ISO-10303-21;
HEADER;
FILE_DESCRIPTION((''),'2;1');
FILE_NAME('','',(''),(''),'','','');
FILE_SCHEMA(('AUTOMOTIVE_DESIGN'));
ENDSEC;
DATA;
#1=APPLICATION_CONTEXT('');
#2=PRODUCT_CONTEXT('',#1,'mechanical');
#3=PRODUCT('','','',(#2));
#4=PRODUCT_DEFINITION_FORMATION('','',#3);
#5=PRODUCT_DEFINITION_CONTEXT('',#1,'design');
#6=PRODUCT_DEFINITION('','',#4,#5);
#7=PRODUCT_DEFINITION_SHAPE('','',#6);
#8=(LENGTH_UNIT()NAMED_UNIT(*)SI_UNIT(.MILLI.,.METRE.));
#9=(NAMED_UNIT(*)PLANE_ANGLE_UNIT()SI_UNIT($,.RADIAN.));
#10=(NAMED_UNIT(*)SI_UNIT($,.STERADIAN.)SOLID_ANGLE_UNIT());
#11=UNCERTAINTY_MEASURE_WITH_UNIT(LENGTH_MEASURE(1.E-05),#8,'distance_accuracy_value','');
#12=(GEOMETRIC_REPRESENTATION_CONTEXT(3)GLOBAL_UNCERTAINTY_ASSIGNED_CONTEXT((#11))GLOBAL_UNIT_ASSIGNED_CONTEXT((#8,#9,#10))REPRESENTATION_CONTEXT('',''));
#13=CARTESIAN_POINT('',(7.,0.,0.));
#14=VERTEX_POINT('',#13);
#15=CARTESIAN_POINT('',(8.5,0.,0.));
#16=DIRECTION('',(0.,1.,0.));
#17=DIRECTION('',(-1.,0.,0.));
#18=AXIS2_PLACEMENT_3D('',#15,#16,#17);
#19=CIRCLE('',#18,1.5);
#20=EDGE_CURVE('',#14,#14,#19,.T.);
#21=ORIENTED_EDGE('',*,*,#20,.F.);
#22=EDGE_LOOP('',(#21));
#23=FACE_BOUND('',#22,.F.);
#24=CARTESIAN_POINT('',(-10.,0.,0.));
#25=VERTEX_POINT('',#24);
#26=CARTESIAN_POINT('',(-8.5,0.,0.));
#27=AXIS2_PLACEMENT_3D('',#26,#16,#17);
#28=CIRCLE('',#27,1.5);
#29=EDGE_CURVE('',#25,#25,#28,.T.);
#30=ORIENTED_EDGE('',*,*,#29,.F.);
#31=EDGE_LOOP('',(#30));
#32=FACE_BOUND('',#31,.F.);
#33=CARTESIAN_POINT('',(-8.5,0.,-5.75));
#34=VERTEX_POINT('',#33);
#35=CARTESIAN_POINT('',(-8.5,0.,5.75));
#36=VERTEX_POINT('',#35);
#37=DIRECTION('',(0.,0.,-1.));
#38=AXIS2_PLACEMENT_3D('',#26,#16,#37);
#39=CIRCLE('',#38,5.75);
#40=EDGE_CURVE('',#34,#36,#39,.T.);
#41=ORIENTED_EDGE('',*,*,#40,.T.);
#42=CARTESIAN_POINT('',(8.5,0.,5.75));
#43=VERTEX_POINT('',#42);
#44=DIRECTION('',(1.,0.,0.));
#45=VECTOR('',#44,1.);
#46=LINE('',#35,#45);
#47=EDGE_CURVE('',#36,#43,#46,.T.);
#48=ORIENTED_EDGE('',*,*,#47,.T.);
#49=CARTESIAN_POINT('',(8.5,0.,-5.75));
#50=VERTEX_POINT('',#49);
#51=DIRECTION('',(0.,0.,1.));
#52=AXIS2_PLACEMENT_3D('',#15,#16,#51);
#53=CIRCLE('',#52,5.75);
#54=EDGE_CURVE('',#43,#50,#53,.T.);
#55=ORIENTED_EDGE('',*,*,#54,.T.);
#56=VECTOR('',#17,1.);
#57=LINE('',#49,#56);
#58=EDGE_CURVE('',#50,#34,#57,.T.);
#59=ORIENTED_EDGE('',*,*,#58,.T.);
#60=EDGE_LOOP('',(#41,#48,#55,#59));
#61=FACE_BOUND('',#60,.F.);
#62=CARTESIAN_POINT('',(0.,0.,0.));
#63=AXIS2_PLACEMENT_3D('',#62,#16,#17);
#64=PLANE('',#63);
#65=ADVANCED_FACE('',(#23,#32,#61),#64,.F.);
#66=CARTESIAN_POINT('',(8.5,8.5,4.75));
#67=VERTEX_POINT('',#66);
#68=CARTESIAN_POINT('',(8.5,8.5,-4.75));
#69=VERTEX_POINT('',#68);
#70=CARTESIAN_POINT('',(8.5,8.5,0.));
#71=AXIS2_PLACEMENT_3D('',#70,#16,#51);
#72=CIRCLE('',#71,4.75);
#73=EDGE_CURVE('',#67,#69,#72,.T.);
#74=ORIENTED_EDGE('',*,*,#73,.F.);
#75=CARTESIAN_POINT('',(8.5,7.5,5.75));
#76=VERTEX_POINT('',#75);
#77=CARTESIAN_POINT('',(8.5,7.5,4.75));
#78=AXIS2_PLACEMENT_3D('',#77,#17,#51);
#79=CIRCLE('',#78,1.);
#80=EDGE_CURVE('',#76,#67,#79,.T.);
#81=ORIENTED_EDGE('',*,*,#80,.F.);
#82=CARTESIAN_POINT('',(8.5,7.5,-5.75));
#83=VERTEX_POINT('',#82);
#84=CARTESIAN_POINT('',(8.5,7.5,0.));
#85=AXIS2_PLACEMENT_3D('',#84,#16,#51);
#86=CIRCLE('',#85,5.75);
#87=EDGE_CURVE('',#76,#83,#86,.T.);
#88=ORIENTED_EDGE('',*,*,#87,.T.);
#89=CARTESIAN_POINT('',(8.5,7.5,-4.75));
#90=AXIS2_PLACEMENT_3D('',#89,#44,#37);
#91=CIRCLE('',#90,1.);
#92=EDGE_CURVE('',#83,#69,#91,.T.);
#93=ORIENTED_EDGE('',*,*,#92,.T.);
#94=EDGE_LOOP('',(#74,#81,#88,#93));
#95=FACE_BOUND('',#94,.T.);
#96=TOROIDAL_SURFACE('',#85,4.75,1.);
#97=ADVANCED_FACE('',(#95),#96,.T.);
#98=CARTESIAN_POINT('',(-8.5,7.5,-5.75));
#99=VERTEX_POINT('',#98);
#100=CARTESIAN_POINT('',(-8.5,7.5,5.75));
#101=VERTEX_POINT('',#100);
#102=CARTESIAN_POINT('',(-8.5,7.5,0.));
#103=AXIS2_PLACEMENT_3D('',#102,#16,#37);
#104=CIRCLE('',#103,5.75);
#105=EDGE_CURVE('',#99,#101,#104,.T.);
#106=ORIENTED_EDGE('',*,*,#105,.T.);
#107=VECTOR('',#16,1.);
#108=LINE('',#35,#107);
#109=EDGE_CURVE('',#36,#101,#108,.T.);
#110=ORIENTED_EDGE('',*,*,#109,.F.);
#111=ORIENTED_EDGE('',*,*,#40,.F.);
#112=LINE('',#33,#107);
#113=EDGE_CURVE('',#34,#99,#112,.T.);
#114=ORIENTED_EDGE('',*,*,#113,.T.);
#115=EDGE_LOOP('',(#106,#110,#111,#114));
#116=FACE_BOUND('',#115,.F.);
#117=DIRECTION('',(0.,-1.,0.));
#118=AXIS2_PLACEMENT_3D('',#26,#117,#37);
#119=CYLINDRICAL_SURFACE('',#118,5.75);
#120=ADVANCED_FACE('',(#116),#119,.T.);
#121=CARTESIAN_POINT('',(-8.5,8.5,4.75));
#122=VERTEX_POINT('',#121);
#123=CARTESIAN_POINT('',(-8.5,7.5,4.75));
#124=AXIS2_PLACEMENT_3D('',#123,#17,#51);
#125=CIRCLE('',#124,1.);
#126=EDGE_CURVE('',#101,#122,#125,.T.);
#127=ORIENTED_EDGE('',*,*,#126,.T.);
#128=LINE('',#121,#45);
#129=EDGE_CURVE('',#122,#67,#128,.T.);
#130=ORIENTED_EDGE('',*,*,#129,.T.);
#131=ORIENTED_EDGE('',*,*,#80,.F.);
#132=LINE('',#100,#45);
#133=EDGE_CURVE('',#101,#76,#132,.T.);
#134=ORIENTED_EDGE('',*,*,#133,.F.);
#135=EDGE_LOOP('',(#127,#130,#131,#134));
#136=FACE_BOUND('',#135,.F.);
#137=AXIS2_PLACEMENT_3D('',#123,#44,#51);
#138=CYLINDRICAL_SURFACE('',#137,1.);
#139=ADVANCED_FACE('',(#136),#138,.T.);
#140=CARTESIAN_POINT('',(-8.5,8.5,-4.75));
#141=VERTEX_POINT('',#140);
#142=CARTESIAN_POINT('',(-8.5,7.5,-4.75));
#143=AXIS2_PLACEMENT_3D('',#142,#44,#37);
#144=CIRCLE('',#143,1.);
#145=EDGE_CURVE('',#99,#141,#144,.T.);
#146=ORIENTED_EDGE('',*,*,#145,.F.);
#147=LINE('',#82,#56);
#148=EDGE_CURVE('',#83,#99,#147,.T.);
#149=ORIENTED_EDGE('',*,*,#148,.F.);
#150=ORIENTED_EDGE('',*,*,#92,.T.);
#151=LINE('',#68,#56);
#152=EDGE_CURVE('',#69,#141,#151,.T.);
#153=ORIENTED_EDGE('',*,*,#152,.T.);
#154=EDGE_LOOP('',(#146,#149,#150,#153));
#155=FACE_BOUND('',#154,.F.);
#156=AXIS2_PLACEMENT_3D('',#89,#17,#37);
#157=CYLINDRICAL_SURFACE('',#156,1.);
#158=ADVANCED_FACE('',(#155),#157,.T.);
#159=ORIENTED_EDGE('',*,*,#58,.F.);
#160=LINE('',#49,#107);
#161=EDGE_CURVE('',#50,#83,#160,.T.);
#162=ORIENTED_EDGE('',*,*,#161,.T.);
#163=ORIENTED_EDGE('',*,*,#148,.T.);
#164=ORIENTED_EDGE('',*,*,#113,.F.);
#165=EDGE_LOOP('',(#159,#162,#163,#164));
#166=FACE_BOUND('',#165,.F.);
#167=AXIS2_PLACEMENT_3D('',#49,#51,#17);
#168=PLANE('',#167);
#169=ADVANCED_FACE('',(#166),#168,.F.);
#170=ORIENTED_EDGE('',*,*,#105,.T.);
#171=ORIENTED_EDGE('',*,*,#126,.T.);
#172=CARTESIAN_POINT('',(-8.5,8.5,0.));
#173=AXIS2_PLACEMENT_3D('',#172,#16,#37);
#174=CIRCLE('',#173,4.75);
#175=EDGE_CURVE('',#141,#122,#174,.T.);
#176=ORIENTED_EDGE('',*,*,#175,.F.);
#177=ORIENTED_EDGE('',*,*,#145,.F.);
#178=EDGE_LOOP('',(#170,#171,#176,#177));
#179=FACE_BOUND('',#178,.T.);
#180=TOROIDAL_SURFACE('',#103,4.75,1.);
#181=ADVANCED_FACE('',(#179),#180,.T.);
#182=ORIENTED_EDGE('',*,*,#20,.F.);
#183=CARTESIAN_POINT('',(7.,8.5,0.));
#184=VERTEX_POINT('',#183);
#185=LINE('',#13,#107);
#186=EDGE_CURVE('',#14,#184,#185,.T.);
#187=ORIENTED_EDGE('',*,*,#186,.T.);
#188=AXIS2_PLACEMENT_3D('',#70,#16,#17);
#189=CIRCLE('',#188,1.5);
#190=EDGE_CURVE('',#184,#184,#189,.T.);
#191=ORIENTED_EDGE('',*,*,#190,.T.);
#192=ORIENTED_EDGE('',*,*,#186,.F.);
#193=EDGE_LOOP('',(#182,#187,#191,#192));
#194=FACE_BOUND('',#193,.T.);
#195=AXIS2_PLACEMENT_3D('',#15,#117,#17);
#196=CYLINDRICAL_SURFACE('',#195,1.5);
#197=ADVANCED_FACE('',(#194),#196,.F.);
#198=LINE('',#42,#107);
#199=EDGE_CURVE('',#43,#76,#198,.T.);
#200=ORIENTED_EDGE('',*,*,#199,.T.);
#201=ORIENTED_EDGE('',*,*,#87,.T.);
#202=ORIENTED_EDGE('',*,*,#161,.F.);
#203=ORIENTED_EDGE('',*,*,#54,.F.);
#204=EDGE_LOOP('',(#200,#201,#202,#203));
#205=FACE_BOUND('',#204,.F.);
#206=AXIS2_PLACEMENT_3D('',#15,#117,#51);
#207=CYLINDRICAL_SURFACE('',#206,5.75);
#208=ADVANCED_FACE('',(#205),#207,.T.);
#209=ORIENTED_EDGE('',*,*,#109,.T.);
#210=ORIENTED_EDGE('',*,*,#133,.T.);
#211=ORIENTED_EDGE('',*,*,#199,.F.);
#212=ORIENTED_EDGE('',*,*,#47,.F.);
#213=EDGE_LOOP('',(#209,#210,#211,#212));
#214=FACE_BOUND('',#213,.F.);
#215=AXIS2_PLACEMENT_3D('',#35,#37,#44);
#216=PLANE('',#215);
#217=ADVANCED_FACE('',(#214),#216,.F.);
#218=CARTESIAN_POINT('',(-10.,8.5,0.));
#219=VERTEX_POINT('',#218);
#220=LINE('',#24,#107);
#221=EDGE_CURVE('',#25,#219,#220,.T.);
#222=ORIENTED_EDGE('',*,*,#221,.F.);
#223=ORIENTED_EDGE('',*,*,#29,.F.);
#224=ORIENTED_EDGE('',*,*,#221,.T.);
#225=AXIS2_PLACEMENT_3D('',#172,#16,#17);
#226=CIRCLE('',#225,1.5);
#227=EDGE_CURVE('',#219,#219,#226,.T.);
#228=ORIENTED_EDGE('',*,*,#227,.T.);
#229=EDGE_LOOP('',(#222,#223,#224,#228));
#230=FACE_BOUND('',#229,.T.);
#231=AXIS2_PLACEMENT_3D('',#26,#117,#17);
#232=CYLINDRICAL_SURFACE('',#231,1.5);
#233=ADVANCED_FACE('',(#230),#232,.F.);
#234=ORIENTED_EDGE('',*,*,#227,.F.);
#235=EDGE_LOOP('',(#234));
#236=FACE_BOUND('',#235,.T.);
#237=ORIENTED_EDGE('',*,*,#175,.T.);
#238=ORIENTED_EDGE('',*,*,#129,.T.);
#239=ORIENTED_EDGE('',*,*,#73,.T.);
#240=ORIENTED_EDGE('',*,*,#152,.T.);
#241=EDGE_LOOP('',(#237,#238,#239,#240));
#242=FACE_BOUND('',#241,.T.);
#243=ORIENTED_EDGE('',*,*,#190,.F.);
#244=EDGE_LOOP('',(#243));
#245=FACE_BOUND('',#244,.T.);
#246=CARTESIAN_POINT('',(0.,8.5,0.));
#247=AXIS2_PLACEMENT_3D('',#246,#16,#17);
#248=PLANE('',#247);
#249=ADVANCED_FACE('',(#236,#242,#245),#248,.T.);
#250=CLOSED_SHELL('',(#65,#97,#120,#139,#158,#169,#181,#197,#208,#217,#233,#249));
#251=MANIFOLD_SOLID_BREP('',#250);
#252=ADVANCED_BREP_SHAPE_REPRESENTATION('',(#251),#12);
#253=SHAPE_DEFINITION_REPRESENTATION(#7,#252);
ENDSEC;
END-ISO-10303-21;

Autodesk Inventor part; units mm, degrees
ref_plane "YZ Plane" through (0, 0, 0) normal (1, 0, 0) x (0, 1, 0)
ref_plane "XZ Plane" through (0, 0, 0) normal (0, 1, 0) x (-1, 0, 0)
ref_plane "XY Plane" through (0, 0, 0) normal (0, 0, 1) x (1, 0, 0)
sketch "Sketch1" plane through (0, 0, 0) normal (0, 1, 0) x (-1, 0, 0)
  line L0 (8.5, 0) -> (-8.5, 0) construction
  line L1 (8.5, 5.75) -> (-8.5, 5.75)
  line L2 (-8.5, -5.75) -> (8.5, -5.75)
  arc A0 (8.5, -5.75) -> (8.5, 5.75) centre (8.5, 0) ccw
  arc A1 (-8.5, 5.75) -> (-8.5, -5.75) centre (-8.5, 0) ccw
  circle A2 centre (-8.5, 0) radius 1.5
  circle A3 centre (8.5, 0) radius 1.5
  point P0 (0, 0)
  dimension "d0" = 11.5
  dimension "d1" = 17
  dimension "d2" = 3
  dimension "d3" = 3
extrude "Extrusion1" add sketch "Sketch1" along normal blind 8.5
thread "Thread1" size "M3x0.5" class "6H" standard "ANSI Metric M Profile" length 11.5
thread "Thread2" size "M3x0.5" class "6H" standard "ANSI Metric M Profile" length 11.5
fillet "Fillet1" radius 1 4 edges at (0, 8.5, 5.75) (14.25, 8.5, 0) (0, 8.5, -5.75) (-14.25, 8.5, 0)
properties part number "SolderSupportDoubleNut" material "Brass"
